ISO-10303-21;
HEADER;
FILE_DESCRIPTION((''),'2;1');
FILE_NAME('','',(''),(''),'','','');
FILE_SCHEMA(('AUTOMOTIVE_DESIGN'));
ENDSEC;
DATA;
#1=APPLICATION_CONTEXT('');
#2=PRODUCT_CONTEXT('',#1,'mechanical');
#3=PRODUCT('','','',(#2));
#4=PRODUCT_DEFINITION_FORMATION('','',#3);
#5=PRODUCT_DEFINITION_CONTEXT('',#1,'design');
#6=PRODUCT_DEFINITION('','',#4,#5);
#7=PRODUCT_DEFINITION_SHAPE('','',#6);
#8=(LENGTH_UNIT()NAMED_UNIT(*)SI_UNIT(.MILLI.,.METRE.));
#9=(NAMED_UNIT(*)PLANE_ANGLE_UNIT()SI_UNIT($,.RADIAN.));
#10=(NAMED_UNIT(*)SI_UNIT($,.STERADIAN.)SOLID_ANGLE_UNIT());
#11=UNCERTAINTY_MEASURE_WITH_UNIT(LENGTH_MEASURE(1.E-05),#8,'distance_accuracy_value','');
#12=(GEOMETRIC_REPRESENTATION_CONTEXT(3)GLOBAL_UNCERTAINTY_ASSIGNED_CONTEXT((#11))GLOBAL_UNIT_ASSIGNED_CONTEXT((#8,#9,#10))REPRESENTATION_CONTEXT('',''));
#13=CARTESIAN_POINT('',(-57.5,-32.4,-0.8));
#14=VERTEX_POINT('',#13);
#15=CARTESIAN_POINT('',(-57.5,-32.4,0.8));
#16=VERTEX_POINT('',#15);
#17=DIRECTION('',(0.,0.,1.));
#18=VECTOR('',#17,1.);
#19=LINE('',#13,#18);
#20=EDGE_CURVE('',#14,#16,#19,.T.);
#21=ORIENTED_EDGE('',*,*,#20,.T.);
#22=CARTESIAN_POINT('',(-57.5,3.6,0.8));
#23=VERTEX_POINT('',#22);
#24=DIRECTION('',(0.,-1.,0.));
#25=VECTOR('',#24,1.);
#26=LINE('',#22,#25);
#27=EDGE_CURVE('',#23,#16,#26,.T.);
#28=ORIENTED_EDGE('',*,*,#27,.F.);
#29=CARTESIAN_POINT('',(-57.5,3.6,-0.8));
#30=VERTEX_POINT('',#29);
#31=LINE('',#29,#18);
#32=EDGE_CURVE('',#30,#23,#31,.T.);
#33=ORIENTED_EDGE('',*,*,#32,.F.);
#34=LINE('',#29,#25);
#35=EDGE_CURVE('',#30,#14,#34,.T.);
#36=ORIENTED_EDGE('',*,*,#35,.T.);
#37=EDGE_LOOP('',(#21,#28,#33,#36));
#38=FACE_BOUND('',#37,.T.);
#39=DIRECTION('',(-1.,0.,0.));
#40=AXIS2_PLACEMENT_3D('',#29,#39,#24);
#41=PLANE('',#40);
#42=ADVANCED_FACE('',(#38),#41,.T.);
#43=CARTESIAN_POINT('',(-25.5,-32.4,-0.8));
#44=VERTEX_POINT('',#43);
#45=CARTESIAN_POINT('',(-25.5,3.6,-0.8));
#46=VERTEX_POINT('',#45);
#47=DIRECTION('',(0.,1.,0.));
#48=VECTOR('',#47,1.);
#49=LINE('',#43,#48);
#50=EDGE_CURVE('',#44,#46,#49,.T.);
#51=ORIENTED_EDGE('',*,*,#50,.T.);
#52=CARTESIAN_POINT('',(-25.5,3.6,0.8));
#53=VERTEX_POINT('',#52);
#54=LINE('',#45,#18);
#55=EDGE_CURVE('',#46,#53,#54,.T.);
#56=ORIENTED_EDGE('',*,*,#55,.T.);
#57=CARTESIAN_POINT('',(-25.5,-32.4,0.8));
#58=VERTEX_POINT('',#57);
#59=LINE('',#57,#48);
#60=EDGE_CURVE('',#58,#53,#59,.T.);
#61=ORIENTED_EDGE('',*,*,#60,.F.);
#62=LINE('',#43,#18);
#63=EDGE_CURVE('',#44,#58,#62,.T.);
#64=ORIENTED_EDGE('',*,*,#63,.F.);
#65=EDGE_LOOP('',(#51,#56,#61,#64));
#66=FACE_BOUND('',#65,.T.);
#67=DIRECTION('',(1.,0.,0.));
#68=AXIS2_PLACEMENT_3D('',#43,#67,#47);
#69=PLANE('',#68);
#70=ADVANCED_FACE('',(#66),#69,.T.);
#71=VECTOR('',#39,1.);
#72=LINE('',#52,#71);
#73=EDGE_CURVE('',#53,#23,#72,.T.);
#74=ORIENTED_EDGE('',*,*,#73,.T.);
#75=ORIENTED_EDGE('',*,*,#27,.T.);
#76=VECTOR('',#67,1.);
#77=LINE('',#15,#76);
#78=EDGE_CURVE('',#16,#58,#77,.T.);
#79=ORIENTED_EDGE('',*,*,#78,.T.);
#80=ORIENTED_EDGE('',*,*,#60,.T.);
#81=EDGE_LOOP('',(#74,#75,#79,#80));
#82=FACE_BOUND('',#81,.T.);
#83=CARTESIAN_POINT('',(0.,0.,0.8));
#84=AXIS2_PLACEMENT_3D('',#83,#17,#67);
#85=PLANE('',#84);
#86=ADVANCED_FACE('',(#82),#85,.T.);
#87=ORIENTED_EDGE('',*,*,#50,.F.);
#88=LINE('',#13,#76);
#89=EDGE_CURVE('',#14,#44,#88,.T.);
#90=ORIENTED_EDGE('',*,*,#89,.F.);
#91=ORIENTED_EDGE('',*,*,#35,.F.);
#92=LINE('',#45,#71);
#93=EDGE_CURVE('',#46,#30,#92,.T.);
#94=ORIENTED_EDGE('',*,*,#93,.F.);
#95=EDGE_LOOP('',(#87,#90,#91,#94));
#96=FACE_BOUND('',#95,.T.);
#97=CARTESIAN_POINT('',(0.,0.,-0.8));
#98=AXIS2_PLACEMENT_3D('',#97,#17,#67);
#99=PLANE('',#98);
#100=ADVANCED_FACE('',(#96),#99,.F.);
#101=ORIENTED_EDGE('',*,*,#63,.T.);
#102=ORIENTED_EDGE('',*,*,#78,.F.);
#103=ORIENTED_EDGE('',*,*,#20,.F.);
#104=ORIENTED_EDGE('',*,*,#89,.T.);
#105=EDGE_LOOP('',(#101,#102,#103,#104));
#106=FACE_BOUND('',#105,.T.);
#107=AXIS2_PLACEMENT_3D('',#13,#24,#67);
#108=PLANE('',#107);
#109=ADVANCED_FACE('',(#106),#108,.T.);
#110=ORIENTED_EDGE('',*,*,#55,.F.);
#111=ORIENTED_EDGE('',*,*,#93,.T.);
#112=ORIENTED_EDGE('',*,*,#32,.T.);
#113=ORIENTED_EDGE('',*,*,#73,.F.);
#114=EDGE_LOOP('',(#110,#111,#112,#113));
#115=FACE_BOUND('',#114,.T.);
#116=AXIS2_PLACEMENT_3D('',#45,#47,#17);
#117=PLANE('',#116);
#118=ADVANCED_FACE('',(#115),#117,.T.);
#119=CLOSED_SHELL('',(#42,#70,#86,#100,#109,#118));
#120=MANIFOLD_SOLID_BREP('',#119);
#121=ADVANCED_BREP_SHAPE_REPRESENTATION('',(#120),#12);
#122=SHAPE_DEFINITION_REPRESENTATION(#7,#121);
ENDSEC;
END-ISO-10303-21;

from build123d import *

# Parameters (mm, degrees)
EXTRUDE_1_DEPTH      = 0.8
EXTRUDE_1_DEPTH_BACK = 0.8
SKETCH_1_W           = 32
SKETCH_1_H           = 36


with BuildPart() as part:
    # 草图1 → 凸台-拉伸1 (new, two sides: drawn at the far end of the back side and taken through both)
    with BuildSketch(Plane.XY.offset(-EXTRUDE_1_DEPTH_BACK)):
        with Locations((-41.5, -14.4)):
            Rectangle(SKETCH_1_W, SKETCH_1_H)
    extrude(amount=EXTRUDE_1_DEPTH + EXTRUDE_1_DEPTH_BACK)


solid = part.part
